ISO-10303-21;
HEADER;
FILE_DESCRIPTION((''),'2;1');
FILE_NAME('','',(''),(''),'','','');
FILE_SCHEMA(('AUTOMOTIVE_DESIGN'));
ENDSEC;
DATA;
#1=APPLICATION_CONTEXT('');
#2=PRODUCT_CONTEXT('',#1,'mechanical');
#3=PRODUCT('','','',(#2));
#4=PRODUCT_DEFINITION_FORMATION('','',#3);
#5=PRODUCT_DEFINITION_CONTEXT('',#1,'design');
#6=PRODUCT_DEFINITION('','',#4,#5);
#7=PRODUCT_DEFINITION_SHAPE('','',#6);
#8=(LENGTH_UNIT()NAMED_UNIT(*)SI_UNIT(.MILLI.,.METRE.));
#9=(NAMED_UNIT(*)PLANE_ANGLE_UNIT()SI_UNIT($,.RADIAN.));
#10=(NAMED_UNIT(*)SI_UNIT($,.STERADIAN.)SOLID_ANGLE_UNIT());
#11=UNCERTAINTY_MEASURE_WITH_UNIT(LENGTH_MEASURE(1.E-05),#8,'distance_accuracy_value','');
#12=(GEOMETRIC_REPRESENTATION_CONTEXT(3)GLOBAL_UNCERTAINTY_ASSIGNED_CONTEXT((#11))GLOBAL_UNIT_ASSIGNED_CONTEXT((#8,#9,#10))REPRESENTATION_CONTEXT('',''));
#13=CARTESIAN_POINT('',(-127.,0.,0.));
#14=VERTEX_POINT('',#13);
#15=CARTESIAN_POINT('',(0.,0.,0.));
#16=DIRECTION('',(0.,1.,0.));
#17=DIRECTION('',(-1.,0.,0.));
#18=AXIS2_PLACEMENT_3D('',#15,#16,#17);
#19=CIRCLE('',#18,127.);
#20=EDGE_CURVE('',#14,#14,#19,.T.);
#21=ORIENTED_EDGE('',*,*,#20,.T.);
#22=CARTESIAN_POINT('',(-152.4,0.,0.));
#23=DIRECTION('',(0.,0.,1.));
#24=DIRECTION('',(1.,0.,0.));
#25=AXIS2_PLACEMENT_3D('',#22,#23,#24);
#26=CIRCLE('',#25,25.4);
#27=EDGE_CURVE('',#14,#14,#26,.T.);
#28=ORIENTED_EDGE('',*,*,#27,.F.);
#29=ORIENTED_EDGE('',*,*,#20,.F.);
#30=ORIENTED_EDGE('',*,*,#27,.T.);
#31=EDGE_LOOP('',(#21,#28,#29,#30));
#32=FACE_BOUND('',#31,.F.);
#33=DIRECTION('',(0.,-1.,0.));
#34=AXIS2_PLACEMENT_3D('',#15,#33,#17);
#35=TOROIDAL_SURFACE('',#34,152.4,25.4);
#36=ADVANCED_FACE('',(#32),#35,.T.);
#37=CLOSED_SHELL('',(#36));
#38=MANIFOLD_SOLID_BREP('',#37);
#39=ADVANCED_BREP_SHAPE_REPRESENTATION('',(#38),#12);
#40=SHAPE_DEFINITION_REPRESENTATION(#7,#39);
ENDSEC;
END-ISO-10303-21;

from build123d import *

# Parameters (mm, degrees)
SKETCH2_R = 25.4


with BuildPart() as part:
    # Sketch2 → Revolve1 (revolve)
    with BuildSketch(Plane.XY):
        with Locations((-152.4, 0)):
            Circle(SKETCH2_R)
    revolve(axis=Axis((0, 0, 0), (0, 1, 0)))


solid = part.part
